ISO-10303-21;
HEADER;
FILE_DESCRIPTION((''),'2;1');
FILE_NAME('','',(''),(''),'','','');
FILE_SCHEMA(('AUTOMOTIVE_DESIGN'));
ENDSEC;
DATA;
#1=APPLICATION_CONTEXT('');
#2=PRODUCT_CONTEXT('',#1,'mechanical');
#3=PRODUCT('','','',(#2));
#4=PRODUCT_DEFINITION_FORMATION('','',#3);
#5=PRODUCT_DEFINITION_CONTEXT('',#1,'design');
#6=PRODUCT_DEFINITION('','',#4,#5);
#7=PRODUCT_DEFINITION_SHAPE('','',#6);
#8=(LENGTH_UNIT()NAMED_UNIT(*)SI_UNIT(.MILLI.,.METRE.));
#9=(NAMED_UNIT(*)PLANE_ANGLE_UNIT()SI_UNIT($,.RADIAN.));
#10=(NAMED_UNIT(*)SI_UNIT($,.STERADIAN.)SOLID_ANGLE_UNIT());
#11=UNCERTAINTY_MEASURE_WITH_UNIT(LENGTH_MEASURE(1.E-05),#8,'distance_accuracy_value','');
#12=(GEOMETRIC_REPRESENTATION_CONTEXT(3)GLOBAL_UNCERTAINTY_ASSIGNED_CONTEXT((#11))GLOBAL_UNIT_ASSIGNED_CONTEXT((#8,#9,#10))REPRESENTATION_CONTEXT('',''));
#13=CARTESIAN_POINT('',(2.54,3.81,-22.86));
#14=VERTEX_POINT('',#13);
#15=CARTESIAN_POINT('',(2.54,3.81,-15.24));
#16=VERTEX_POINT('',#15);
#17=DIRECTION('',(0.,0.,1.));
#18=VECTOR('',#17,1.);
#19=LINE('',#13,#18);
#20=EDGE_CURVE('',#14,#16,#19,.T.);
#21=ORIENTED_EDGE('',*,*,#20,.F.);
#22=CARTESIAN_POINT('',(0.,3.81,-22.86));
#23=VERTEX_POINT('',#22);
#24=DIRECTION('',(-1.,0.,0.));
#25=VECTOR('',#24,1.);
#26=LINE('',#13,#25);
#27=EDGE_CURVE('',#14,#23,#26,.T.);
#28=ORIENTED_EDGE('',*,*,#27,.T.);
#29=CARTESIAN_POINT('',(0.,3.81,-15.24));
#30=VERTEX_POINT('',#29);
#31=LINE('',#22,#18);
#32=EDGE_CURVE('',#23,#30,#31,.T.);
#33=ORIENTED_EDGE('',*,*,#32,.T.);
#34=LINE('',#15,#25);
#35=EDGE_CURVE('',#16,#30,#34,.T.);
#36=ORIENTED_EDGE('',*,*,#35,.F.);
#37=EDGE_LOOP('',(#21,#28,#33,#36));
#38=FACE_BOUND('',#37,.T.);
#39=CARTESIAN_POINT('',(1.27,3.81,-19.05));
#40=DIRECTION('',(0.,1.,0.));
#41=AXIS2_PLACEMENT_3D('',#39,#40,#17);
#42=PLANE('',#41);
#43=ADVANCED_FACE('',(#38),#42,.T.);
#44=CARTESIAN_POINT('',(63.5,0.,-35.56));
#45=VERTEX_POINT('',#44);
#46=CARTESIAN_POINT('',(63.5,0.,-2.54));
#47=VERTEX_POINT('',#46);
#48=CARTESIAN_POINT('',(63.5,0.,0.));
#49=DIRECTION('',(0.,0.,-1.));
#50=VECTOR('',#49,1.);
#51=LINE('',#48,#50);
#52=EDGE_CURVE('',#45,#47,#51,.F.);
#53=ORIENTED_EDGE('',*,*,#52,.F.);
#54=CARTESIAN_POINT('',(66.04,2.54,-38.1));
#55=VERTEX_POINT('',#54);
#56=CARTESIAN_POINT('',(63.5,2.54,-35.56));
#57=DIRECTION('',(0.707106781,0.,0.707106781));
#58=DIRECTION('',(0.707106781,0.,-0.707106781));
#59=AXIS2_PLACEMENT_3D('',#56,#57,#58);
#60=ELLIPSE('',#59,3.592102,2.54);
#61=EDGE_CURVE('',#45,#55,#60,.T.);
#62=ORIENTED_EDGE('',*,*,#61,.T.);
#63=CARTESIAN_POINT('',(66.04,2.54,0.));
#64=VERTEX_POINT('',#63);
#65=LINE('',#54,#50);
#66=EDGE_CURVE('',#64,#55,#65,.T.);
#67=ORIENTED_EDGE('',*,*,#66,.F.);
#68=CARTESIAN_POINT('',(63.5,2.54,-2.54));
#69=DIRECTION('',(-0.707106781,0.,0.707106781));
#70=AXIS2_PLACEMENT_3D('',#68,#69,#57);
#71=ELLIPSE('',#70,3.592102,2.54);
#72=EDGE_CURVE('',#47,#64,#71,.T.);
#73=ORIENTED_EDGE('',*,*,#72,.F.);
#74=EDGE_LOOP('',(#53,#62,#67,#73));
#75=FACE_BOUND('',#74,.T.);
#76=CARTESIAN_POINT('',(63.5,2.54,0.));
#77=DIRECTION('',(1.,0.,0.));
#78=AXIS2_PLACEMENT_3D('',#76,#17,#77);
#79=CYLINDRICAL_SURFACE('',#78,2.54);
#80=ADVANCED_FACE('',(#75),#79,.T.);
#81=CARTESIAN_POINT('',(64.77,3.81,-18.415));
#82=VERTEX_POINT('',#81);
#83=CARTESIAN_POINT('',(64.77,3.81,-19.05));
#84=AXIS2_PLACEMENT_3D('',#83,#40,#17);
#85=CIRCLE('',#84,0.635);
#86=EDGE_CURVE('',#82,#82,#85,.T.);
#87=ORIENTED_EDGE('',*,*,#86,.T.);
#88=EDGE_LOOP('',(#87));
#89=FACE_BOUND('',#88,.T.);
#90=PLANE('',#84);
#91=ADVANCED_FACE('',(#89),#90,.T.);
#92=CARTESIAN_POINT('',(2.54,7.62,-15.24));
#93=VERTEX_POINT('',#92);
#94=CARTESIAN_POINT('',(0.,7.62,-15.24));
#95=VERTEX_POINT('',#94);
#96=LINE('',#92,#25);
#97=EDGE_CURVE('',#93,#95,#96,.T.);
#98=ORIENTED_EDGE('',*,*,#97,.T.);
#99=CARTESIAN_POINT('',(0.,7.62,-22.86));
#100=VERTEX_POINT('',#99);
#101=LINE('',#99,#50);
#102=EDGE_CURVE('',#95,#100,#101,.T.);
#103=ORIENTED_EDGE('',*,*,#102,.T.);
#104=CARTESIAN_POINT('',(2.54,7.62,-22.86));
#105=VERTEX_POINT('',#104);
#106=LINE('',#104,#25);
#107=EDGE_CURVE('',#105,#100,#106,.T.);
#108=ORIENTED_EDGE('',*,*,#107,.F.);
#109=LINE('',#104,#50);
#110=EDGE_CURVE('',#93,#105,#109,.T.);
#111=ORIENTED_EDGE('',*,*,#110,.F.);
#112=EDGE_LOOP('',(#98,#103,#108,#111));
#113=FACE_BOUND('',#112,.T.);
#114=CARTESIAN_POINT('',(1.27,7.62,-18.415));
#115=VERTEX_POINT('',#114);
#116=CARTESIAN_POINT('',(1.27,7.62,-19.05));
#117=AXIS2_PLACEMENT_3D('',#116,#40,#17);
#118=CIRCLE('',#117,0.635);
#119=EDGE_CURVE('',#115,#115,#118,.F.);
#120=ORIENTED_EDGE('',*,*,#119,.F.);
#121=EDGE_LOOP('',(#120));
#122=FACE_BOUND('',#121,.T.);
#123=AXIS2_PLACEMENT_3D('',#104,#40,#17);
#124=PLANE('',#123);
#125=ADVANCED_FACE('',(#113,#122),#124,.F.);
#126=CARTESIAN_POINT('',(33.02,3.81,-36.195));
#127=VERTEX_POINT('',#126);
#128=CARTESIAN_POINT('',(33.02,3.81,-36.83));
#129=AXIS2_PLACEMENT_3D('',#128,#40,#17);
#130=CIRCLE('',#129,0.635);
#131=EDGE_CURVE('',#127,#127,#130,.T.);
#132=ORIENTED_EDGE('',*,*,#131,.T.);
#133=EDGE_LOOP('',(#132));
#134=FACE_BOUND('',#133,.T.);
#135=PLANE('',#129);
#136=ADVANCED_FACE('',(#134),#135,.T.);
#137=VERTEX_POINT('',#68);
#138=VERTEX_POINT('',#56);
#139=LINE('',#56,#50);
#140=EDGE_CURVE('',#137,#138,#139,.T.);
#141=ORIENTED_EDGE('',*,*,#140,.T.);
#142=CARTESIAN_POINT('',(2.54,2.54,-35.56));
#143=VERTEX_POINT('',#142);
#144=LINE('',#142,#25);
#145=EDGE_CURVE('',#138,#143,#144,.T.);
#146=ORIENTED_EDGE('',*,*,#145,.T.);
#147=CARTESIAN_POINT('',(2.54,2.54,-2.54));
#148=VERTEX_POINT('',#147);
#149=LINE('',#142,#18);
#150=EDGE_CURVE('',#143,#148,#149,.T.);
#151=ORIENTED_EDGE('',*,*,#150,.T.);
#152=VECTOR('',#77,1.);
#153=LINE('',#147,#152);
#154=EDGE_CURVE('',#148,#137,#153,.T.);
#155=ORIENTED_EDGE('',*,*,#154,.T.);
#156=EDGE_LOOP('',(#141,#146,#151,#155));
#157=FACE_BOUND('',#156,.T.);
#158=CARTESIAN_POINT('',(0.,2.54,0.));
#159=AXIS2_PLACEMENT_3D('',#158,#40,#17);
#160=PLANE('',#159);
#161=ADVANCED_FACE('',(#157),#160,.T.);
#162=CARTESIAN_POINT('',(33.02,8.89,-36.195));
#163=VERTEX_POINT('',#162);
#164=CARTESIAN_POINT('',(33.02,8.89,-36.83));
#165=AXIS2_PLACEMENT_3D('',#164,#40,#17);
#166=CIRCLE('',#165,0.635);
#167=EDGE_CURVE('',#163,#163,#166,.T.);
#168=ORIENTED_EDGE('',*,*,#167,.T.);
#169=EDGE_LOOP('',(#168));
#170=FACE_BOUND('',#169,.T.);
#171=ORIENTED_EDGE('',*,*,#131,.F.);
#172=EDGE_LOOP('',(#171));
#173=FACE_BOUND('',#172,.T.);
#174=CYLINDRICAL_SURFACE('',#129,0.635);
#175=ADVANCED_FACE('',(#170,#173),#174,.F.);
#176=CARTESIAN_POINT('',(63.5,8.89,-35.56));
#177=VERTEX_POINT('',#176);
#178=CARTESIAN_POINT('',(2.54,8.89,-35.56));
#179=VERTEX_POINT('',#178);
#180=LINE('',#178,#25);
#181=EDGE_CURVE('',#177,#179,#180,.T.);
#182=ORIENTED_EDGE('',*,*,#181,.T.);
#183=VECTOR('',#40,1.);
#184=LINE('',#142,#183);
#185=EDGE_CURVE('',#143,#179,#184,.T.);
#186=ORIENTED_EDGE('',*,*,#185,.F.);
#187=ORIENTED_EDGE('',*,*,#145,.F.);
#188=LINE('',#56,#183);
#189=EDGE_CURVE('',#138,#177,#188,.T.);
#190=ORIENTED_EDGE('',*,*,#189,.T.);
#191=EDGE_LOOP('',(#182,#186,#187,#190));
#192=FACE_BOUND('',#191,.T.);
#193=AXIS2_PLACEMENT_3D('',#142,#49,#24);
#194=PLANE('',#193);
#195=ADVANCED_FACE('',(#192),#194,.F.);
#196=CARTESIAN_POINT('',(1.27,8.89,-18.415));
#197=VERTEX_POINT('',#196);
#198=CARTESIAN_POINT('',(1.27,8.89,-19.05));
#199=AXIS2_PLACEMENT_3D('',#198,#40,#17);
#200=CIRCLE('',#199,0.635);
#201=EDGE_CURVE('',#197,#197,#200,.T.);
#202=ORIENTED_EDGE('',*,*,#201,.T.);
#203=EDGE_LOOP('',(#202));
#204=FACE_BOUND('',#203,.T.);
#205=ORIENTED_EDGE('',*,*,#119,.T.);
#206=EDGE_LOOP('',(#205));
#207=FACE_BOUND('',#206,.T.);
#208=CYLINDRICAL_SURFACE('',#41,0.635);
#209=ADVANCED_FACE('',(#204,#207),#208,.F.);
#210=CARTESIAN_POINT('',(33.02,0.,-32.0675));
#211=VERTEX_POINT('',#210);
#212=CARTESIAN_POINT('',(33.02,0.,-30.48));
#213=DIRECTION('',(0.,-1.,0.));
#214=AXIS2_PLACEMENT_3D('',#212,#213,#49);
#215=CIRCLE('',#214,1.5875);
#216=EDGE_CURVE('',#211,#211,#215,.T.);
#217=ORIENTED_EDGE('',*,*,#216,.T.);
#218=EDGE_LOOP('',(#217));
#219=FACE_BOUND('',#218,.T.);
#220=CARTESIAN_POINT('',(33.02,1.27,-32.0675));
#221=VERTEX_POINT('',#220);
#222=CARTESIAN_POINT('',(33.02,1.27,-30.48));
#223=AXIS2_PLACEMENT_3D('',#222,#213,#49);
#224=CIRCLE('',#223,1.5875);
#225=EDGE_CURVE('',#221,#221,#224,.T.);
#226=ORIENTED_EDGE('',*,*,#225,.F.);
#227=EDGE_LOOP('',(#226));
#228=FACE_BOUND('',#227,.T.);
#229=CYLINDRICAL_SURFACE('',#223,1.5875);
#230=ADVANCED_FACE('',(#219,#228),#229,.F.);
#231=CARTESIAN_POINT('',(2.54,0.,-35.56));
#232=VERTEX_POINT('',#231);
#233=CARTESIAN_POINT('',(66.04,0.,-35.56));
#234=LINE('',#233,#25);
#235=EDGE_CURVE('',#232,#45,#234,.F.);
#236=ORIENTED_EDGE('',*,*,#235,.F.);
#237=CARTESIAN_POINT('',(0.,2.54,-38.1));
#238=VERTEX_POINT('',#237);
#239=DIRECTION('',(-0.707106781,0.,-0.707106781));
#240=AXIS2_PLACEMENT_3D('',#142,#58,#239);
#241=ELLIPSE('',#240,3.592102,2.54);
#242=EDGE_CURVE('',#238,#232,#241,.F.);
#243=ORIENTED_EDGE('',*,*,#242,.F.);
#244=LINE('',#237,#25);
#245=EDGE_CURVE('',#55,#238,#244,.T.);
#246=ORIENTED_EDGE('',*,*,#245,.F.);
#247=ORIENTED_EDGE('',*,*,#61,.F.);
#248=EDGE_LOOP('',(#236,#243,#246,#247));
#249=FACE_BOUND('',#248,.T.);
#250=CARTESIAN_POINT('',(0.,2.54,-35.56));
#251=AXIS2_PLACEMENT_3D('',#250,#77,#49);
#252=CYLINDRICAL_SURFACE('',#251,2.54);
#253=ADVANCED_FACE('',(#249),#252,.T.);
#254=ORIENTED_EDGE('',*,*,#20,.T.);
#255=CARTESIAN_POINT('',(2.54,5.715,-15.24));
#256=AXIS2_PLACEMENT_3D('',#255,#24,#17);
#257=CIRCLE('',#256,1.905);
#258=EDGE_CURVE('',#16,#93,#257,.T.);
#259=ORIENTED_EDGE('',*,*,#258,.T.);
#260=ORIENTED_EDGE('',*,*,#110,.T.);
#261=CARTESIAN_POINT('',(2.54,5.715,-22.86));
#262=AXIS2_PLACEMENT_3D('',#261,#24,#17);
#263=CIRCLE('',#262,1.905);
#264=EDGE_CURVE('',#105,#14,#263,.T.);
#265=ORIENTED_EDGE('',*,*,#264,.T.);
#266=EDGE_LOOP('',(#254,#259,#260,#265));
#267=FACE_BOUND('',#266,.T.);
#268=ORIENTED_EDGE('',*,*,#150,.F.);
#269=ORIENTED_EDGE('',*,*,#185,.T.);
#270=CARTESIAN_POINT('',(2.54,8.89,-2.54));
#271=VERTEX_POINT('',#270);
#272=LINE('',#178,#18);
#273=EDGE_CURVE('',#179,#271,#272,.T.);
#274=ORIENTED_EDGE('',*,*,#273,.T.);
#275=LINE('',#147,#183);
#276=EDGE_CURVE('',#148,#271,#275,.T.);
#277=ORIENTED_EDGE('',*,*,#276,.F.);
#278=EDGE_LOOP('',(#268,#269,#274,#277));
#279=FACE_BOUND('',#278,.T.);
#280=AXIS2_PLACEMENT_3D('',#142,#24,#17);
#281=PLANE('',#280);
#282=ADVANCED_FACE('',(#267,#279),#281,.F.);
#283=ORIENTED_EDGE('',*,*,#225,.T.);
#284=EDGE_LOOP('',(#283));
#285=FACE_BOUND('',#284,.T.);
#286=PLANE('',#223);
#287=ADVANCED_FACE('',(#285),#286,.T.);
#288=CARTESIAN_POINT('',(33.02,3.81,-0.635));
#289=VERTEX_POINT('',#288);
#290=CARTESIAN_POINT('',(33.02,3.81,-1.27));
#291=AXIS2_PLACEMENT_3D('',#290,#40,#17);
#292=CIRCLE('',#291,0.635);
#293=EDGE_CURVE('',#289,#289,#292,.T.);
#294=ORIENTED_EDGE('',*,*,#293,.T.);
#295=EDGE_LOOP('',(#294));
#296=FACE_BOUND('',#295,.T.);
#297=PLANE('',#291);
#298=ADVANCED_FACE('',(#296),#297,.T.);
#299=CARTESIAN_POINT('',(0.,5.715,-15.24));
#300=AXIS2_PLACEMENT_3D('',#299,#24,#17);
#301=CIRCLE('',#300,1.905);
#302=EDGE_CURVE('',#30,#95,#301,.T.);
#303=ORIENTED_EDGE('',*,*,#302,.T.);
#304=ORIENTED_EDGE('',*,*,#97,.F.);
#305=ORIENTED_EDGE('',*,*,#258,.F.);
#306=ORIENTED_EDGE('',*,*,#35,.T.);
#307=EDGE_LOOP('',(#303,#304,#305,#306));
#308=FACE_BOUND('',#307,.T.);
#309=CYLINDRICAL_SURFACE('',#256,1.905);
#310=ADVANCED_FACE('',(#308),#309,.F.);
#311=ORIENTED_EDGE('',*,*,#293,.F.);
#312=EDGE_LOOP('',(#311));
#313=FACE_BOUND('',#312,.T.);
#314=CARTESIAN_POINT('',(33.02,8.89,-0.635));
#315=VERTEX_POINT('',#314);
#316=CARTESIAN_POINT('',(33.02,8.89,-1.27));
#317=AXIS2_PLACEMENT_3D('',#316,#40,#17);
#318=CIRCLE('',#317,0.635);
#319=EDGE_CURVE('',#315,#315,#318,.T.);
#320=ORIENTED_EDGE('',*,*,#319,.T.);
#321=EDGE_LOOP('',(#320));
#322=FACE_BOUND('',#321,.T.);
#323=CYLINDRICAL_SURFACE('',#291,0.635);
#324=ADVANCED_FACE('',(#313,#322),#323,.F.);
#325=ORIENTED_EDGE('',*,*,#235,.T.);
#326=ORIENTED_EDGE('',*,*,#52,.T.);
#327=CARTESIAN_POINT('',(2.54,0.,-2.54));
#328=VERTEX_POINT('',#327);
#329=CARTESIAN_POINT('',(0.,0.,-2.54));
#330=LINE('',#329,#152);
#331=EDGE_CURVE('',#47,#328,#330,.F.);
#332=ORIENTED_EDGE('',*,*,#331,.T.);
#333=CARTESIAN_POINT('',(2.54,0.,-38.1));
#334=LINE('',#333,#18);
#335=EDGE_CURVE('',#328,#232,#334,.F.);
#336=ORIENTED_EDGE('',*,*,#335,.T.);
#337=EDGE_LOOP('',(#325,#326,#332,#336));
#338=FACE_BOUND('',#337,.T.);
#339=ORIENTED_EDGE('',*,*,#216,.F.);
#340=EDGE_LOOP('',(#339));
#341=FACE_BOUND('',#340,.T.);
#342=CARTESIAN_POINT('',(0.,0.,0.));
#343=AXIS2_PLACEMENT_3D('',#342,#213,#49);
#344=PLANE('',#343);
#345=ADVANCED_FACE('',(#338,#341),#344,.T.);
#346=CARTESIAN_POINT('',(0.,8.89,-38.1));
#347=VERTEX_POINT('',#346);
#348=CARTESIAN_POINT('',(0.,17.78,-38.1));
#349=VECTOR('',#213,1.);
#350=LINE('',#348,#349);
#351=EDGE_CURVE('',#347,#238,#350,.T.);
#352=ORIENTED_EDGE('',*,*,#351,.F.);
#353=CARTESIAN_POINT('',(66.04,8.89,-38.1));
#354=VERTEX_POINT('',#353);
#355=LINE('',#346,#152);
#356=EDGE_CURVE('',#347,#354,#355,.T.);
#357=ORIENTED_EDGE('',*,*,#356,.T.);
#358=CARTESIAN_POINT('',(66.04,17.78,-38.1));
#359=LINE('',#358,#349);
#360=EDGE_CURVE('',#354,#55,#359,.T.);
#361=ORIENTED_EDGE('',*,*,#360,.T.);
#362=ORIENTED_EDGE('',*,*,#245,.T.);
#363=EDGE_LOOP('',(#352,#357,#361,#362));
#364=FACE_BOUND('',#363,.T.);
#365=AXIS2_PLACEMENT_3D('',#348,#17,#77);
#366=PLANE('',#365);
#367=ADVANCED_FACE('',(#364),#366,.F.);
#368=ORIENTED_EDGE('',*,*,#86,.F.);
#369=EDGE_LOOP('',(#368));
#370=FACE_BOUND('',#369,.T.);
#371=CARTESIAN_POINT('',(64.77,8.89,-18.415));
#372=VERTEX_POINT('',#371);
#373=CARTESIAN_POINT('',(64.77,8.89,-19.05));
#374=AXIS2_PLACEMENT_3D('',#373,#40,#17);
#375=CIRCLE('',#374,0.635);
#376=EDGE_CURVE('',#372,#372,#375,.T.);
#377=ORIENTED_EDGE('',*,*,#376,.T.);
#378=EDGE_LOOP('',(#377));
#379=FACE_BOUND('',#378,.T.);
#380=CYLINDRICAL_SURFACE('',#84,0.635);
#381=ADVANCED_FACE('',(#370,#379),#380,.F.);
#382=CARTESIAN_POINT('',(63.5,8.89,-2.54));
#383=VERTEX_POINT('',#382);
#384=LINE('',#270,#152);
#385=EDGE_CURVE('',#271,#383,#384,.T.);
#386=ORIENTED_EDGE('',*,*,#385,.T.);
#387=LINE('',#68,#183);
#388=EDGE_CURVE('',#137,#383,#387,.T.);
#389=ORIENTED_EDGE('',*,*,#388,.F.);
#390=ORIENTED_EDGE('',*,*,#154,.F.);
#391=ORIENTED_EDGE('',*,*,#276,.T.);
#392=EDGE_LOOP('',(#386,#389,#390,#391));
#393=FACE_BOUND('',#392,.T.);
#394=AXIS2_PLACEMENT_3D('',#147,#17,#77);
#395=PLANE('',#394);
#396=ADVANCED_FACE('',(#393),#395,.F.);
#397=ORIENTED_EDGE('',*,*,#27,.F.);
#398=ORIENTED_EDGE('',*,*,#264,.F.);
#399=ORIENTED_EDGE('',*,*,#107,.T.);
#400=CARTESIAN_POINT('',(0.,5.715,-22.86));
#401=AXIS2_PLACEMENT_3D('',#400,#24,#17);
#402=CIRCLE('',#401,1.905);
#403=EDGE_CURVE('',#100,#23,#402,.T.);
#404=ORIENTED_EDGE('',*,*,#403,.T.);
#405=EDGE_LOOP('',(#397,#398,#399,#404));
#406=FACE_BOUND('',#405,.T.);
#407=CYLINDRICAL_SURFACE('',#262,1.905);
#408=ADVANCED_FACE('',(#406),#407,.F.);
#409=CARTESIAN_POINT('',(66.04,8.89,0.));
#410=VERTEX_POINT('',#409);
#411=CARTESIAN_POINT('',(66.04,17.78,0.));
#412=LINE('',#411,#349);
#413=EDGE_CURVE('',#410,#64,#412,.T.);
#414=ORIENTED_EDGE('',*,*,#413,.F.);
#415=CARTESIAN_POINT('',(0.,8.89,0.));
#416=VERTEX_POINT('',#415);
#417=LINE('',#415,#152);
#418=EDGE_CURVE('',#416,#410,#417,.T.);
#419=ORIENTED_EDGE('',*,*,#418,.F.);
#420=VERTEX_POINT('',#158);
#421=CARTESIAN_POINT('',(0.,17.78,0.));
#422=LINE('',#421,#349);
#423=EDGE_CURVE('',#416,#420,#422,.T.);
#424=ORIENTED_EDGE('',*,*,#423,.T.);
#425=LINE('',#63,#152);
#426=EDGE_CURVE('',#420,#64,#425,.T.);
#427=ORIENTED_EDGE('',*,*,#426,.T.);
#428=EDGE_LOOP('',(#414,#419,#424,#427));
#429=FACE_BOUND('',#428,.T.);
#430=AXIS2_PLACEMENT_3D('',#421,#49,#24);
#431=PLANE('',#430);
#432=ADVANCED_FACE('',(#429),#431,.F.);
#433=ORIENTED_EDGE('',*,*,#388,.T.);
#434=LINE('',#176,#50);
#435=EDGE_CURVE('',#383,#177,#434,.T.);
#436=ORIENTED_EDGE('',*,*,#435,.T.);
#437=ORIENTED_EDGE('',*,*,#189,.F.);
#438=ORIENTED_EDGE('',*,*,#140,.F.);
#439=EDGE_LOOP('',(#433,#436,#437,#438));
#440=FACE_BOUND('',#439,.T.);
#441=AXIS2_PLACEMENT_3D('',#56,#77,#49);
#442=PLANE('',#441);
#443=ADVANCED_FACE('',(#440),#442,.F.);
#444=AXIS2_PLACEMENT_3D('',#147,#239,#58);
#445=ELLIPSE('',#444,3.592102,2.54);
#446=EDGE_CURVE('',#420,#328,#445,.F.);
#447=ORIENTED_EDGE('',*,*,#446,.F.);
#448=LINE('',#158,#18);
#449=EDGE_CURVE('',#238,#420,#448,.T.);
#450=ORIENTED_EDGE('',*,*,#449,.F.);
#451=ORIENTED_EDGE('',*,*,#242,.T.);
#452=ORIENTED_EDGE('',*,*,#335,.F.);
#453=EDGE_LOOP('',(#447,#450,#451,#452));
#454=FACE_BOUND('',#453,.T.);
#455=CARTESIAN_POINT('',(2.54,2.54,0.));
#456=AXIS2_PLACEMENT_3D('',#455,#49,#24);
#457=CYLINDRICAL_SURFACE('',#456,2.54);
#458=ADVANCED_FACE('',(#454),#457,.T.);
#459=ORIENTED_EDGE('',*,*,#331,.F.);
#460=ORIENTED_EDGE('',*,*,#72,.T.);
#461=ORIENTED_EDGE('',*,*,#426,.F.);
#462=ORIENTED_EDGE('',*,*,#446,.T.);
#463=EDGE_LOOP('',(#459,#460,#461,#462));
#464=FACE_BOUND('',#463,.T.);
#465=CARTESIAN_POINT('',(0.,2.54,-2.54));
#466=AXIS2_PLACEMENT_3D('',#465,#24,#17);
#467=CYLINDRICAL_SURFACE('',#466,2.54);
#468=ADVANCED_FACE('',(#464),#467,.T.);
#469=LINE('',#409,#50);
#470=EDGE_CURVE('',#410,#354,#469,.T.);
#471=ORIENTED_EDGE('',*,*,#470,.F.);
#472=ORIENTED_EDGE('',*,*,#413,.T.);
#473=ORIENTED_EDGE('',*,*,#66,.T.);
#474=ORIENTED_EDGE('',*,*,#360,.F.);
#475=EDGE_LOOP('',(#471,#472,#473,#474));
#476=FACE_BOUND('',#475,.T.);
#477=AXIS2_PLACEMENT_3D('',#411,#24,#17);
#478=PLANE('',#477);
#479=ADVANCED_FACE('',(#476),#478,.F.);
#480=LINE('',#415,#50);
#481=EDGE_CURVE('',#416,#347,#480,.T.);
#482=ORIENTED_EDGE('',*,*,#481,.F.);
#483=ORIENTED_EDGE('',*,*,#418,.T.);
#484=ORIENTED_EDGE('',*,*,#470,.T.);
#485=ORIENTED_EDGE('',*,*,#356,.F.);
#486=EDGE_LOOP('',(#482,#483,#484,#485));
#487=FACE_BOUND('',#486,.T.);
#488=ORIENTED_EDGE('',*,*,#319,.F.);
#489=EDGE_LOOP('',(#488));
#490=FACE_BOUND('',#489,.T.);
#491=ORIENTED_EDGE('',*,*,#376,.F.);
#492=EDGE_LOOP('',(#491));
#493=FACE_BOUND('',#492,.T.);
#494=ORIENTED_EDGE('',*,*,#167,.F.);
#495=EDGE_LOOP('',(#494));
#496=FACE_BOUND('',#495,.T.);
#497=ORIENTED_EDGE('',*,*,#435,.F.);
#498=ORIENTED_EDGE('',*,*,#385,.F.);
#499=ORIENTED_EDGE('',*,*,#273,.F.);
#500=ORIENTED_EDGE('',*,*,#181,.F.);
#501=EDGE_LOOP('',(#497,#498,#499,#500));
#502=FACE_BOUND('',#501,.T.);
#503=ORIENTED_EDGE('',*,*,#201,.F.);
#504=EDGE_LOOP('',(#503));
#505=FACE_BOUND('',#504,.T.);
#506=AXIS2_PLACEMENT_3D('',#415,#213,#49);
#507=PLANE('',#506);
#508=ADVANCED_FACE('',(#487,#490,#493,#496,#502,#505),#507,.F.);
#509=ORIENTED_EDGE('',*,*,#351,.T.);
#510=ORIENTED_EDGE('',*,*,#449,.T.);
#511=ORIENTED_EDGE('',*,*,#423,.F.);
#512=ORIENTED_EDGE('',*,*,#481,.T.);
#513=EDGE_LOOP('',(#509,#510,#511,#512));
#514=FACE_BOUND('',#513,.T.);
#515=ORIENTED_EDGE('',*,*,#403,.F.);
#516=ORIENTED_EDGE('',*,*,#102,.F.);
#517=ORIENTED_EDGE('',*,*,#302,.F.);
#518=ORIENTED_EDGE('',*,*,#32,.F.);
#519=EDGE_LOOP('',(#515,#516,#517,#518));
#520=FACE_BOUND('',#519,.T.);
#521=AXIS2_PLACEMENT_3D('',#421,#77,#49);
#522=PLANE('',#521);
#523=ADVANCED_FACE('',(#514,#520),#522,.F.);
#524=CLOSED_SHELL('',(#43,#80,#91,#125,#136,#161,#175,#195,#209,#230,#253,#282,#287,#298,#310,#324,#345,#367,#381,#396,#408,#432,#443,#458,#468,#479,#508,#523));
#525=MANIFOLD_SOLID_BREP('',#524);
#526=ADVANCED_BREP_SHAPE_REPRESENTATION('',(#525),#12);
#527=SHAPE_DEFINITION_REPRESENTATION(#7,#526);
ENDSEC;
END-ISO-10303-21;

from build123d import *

# Parameters (mm, degrees)
SKETCH1_W           = 66.04
SKETCH1_H           = 38.1
BOSS_EXTRUDE3_DEPTH = 17.78
SKETCH3_W           = 60.96
SKETCH3_H           = 33.02
CUT_EXTRUDE1_DEPTH  = 15.24
SKETCH4_W           = 38.1
SKETCH4_H           = 8.89
CUT_EXTRUDE2_DEPTH  = 66.04
SKETCH5_R           = 0.635
CUT_EXTRUDE3_DEPTH  = 5.08
CUT_EXTRUDE5_DEPTH  = 2.54
FILLET1_R           = 2.54
SKETCH7_R           = 1.5875
CUT_EXTRUDE6_DEPTH  = 1.27


with BuildPart() as part:
    # Sketch1 → Boss-Extrude3 (new body)
    with BuildSketch(Plane(origin=(0, 0, 0), x_dir=(1, 0, 0), z_dir=(0, 1, 0))):
        with Locations((33.02, 19.05)):
            Rectangle(SKETCH1_W, SKETCH1_H)
    extrude(amount=BOSS_EXTRUDE3_DEPTH)

    # Sketch3 → Cut-Extrude1 (cut)
    with BuildSketch(Plane(origin=(0, 17.78, 0), x_dir=(1, 0, 0), z_dir=(0, 1, 0))):
        with Locations((33.02, 19.05)):
            Rectangle(SKETCH3_W, SKETCH3_H)
    extrude(amount=-CUT_EXTRUDE1_DEPTH, mode=Mode.SUBTRACT)

    # Sketch4 → Cut-Extrude2 (cut)
    with BuildSketch(Plane(origin=(66.04, 0, 0), x_dir=(0, 0, -1), z_dir=(1, 0, 0))):
        with Locations((19.05, 13.335)):
            Rectangle(SKETCH4_W, SKETCH4_H)
    extrude(amount=-CUT_EXTRUDE2_DEPTH, mode=Mode.SUBTRACT)

    # Sketch5 → Cut-Extrude3 (cut)
    with BuildSketch(Plane(origin=(0, 8.89, 0), x_dir=(1, 0, 0), z_dir=(0, 1, 0))):
        with Locations((33.02, 36.83)):
            Circle(SKETCH5_R)
        with Locations((33.02, 1.27)):
            Circle(SKETCH5_R)
        with Locations((1.27, 19.05)):
            Circle(SKETCH5_R)
        with Locations((64.77, 19.05)):
            Circle(SKETCH5_R)
    extrude(amount=-CUT_EXTRUDE3_DEPTH, mode=Mode.SUBTRACT)

    # Sketch6 → Cut-Extrude5 (cut)
    with BuildSketch(Plane.ZY):
        with BuildLine():
            Line((-22.86, 7.62), (-15.24, 7.62))
            ThreePointArc((-15.24, 7.62), (-13.335, 5.715), (-15.24, 3.81))
            Line((-15.24, 3.81), (-22.86, 3.81))
            ThreePointArc((-22.86, 3.81), (-24.765, 5.715), (-22.86, 7.62))
        make_face()
    extrude(amount=-CUT_EXTRUDE5_DEPTH, mode=Mode.SUBTRACT)

    # Fillet1
    fillet1_edges = [part.edges().sort_by_distance(p)[0] for p in [
        (33.02, 0, -38.1),
        (66.04, 0, -19.05),
        (33.02, 0, 0),
        (0, 0, -19.05),
    ]]
    fillet(fillet1_edges, radius=FILLET1_R)

    # Sketch7 → Cut-Extrude6 (cut)
    with BuildSketch(Plane.XZ):
        with Locations((33.02, -30.48)):
            Circle(SKETCH7_R)
    extrude(amount=-CUT_EXTRUDE6_DEPTH, mode=Mode.SUBTRACT)


solid = part.part
